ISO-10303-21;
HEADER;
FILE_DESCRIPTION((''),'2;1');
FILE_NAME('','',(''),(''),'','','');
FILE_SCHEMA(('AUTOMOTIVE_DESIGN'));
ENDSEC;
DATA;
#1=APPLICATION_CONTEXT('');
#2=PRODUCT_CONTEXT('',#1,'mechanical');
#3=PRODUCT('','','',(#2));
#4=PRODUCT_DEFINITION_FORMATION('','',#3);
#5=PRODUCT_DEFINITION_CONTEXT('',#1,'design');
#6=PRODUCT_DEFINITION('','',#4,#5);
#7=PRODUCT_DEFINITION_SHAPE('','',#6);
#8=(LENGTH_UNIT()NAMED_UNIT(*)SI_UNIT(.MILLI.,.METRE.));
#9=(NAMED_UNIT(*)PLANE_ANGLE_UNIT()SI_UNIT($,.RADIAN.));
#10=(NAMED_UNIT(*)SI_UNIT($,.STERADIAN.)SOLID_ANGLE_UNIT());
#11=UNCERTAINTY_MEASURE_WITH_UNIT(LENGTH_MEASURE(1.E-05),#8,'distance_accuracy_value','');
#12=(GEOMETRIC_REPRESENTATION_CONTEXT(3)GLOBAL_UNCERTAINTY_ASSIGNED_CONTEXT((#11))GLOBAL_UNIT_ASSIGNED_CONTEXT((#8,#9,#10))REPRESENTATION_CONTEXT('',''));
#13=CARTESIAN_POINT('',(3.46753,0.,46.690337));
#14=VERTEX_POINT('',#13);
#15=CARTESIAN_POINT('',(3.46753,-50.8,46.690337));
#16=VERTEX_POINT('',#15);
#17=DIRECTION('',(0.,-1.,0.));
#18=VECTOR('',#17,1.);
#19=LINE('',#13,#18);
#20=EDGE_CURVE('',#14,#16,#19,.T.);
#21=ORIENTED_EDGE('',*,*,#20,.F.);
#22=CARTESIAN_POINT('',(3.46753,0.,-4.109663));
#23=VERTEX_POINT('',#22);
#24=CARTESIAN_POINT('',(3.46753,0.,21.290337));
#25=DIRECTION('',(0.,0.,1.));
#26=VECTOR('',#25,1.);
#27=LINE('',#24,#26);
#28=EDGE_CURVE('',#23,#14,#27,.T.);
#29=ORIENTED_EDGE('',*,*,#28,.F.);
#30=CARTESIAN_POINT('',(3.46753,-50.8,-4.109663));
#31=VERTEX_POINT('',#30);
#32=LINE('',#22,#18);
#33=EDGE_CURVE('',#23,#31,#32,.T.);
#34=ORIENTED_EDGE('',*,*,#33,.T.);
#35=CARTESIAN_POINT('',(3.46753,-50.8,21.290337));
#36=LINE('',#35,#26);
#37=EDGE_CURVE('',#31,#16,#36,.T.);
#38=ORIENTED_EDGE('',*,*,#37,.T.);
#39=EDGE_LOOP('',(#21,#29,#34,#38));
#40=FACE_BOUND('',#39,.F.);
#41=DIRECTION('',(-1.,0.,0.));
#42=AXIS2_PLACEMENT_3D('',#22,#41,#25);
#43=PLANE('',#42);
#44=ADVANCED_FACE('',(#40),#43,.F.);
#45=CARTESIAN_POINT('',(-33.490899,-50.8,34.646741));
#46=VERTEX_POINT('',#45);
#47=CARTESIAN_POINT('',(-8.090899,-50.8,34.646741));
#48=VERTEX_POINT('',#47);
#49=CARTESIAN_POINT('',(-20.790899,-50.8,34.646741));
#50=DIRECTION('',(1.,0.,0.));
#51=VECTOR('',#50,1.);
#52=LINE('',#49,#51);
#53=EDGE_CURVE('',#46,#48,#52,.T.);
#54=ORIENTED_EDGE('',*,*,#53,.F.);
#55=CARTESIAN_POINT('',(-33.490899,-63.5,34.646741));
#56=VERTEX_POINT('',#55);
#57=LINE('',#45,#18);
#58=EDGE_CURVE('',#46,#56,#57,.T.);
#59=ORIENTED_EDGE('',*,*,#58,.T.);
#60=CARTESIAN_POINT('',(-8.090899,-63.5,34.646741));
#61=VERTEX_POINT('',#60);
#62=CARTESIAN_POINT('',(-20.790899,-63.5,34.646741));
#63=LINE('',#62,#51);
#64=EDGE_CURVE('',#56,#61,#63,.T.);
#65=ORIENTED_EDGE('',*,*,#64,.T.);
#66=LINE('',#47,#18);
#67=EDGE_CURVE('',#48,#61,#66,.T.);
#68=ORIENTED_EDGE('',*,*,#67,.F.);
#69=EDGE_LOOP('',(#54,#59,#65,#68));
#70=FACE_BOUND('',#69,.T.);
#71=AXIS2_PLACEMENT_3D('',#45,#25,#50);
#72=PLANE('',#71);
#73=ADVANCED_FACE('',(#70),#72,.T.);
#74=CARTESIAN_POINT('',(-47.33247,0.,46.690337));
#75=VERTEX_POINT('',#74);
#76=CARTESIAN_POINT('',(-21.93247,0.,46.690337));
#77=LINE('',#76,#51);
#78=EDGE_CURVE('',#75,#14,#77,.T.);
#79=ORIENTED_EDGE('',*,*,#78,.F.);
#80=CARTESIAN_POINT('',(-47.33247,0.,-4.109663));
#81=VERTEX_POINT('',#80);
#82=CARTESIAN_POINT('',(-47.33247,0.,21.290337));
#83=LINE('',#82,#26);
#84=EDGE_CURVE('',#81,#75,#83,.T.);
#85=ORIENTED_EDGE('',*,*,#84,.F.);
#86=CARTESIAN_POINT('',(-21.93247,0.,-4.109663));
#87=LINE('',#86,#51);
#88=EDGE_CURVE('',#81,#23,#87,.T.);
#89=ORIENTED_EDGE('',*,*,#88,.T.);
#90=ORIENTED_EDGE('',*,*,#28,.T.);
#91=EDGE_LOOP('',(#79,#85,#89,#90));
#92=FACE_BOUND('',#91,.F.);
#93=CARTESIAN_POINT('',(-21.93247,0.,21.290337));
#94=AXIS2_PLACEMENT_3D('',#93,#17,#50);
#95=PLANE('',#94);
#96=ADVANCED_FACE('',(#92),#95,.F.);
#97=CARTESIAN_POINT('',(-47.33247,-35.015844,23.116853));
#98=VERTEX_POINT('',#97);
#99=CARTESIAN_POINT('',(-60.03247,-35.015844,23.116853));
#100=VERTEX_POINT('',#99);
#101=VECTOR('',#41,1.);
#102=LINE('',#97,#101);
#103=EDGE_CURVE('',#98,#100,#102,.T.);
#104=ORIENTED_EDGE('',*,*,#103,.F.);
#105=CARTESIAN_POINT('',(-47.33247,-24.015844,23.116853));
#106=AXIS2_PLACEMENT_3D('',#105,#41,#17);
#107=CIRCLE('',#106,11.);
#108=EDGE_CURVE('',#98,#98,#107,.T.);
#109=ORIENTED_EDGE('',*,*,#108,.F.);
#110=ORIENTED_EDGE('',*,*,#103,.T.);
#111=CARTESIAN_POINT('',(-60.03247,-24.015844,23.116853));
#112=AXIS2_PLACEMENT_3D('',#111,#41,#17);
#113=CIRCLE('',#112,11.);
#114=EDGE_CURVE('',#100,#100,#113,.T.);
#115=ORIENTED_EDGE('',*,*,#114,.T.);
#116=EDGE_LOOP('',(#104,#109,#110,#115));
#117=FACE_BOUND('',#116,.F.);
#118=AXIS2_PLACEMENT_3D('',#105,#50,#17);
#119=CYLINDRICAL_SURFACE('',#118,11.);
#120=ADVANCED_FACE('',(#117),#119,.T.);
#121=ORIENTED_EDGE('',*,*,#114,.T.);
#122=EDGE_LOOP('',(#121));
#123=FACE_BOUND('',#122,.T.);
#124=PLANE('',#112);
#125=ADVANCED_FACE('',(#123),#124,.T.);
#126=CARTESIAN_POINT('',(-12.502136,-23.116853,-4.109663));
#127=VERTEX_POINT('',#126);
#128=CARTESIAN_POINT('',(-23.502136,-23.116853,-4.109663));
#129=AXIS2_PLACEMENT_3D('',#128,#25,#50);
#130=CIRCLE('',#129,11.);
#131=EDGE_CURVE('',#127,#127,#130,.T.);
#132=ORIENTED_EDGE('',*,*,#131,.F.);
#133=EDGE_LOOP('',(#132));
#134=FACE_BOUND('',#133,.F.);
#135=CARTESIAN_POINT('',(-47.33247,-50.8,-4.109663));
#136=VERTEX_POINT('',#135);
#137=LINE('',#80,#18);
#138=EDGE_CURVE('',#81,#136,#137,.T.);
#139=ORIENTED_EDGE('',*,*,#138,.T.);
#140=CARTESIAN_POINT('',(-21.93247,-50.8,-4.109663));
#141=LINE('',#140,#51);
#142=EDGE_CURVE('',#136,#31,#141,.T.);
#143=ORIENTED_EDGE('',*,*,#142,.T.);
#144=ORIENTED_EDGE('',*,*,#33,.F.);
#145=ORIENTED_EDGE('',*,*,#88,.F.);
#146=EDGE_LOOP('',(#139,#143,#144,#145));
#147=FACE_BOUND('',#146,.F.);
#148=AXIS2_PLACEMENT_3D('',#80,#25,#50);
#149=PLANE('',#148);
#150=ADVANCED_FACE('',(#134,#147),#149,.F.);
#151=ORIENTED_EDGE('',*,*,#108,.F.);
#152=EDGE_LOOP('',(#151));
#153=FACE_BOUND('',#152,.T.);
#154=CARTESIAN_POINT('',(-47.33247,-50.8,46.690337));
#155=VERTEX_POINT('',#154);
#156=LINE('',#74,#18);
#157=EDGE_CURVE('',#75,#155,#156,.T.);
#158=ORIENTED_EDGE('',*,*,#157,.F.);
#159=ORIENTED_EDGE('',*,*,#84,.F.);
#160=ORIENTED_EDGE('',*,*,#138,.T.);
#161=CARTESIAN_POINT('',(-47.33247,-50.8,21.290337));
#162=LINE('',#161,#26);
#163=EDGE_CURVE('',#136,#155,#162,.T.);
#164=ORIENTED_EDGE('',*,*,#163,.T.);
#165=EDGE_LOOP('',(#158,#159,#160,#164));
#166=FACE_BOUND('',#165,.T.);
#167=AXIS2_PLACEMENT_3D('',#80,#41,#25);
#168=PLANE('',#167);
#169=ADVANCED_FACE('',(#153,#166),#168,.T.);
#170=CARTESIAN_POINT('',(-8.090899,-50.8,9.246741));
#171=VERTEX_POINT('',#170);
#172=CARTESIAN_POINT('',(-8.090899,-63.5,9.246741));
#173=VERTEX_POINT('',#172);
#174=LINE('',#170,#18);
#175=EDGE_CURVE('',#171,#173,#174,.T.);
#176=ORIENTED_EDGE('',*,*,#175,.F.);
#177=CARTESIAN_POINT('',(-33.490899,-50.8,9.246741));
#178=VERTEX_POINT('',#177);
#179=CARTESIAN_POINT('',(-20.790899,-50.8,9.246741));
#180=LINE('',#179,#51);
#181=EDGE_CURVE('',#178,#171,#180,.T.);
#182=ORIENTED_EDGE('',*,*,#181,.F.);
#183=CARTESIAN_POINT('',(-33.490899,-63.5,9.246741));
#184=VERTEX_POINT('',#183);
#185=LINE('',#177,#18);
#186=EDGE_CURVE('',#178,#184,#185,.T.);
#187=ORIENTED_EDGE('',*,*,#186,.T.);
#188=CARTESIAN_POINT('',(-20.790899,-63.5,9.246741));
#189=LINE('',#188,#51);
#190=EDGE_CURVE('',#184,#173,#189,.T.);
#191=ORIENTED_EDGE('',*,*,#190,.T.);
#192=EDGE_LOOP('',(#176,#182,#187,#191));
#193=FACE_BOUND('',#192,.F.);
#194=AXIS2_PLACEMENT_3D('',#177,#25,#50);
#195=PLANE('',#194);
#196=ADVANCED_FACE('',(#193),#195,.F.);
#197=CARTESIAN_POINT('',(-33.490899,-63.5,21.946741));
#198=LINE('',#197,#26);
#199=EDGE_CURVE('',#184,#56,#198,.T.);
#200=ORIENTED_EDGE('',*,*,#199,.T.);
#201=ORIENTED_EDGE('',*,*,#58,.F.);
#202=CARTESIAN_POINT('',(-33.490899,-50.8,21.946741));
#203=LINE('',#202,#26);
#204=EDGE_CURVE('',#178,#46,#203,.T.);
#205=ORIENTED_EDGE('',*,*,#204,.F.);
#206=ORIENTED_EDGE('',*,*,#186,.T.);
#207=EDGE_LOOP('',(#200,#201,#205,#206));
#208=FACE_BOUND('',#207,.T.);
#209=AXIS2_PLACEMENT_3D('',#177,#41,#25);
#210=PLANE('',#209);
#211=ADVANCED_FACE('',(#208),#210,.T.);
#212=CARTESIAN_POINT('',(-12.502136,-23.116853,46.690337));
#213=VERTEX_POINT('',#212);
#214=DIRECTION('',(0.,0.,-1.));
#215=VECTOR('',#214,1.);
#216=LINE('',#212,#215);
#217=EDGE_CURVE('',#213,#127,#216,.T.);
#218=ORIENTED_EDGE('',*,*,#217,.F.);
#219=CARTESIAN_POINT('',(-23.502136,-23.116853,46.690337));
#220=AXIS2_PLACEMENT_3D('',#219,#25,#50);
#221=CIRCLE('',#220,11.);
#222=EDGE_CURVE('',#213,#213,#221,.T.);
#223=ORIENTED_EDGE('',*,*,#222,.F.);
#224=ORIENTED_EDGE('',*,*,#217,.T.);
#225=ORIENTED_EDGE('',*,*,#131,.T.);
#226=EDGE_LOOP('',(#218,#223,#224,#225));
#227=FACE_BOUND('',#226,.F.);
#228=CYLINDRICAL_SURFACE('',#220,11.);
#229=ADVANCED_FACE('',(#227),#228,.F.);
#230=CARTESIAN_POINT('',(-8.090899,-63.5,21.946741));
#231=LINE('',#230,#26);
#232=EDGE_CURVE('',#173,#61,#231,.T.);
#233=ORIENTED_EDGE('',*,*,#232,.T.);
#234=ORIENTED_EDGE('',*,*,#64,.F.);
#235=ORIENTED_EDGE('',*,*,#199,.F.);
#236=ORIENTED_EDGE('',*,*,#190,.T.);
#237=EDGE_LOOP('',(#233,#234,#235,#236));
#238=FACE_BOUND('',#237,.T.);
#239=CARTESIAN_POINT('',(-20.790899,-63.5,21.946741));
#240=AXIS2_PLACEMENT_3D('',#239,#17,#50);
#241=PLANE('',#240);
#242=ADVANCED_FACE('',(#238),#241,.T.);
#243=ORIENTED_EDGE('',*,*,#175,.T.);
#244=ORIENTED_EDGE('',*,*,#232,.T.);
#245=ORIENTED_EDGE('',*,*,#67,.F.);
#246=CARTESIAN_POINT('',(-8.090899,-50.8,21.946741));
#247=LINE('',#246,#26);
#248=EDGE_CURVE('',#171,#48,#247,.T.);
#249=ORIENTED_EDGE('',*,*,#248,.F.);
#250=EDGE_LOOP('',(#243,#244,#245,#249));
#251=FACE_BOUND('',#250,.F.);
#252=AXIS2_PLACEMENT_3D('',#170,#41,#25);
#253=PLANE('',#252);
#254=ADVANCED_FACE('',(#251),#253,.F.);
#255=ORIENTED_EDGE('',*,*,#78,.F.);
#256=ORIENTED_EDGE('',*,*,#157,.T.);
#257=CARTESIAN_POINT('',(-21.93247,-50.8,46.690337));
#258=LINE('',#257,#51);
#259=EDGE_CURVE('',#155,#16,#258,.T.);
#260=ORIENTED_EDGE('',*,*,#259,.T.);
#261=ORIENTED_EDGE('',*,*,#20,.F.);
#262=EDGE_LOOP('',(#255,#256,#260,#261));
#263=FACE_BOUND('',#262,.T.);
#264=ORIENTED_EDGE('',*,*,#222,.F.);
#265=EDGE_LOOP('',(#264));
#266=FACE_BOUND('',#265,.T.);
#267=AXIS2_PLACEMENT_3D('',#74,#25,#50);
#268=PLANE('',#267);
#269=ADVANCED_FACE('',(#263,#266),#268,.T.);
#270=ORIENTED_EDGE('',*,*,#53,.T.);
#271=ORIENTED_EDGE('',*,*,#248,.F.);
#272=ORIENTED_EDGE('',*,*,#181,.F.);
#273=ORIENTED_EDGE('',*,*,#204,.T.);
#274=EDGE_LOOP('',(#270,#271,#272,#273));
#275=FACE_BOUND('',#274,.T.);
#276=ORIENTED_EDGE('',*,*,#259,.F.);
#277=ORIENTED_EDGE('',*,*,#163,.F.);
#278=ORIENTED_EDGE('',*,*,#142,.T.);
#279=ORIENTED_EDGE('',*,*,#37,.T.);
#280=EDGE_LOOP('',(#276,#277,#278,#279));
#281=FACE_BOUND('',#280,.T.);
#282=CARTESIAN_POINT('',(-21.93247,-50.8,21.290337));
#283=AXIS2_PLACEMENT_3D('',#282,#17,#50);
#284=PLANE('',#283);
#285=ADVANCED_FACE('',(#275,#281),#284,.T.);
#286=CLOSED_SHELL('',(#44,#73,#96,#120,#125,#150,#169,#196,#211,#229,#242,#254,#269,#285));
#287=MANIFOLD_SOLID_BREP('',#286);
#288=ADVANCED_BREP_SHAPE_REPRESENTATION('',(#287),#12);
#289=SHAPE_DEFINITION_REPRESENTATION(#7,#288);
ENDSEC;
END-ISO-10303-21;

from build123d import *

# Parameters (mm, degrees)
F0_W     = 50.8
F0_H     = 50.8
F1_DEPTH = 50.8
F2_W     = 25.4
F2_H     = 25.4
F3_DEPTH = 12.7
F4_R     = 11
F5_DEPTH = 50.8
F6_R     = 11
F7_DEPTH = 12.7


with BuildPart() as f1:
    # F0 (on Front) → F1 (new body)
    with BuildSketch(Plane.XZ):
        with Locations((-21.93247, 21.290337)):
            Rectangle(F0_W, F0_H)
    extrude(amount=F1_DEPTH)

    # F2 (on face) → F3 (join)
    with BuildSketch(Plane.XZ.offset(50.8)):
        with Locations((-20.790899, 21.946741)):
            Rectangle(F2_W, F2_H)
    extrude(amount=F3_DEPTH)

    # F4 (on face) → F5 (cut)
    with BuildSketch(Plane.XY.offset(46.690337)):
        with Locations((-23.502136, -23.116853)):
            Circle(F4_R)
    extrude(amount=-F5_DEPTH, mode=Mode.SUBTRACT)

    # F6 (on face) → F7 (join)
    with BuildSketch(Plane(origin=(-47.33247, 0, 0), x_dir=(0, -1, 0), z_dir=(-1, 0, 0))):
        with Locations((24.015844, 23.116853)):
            Circle(F6_R)
    extrude(amount=F7_DEPTH)


solid = f1.part
